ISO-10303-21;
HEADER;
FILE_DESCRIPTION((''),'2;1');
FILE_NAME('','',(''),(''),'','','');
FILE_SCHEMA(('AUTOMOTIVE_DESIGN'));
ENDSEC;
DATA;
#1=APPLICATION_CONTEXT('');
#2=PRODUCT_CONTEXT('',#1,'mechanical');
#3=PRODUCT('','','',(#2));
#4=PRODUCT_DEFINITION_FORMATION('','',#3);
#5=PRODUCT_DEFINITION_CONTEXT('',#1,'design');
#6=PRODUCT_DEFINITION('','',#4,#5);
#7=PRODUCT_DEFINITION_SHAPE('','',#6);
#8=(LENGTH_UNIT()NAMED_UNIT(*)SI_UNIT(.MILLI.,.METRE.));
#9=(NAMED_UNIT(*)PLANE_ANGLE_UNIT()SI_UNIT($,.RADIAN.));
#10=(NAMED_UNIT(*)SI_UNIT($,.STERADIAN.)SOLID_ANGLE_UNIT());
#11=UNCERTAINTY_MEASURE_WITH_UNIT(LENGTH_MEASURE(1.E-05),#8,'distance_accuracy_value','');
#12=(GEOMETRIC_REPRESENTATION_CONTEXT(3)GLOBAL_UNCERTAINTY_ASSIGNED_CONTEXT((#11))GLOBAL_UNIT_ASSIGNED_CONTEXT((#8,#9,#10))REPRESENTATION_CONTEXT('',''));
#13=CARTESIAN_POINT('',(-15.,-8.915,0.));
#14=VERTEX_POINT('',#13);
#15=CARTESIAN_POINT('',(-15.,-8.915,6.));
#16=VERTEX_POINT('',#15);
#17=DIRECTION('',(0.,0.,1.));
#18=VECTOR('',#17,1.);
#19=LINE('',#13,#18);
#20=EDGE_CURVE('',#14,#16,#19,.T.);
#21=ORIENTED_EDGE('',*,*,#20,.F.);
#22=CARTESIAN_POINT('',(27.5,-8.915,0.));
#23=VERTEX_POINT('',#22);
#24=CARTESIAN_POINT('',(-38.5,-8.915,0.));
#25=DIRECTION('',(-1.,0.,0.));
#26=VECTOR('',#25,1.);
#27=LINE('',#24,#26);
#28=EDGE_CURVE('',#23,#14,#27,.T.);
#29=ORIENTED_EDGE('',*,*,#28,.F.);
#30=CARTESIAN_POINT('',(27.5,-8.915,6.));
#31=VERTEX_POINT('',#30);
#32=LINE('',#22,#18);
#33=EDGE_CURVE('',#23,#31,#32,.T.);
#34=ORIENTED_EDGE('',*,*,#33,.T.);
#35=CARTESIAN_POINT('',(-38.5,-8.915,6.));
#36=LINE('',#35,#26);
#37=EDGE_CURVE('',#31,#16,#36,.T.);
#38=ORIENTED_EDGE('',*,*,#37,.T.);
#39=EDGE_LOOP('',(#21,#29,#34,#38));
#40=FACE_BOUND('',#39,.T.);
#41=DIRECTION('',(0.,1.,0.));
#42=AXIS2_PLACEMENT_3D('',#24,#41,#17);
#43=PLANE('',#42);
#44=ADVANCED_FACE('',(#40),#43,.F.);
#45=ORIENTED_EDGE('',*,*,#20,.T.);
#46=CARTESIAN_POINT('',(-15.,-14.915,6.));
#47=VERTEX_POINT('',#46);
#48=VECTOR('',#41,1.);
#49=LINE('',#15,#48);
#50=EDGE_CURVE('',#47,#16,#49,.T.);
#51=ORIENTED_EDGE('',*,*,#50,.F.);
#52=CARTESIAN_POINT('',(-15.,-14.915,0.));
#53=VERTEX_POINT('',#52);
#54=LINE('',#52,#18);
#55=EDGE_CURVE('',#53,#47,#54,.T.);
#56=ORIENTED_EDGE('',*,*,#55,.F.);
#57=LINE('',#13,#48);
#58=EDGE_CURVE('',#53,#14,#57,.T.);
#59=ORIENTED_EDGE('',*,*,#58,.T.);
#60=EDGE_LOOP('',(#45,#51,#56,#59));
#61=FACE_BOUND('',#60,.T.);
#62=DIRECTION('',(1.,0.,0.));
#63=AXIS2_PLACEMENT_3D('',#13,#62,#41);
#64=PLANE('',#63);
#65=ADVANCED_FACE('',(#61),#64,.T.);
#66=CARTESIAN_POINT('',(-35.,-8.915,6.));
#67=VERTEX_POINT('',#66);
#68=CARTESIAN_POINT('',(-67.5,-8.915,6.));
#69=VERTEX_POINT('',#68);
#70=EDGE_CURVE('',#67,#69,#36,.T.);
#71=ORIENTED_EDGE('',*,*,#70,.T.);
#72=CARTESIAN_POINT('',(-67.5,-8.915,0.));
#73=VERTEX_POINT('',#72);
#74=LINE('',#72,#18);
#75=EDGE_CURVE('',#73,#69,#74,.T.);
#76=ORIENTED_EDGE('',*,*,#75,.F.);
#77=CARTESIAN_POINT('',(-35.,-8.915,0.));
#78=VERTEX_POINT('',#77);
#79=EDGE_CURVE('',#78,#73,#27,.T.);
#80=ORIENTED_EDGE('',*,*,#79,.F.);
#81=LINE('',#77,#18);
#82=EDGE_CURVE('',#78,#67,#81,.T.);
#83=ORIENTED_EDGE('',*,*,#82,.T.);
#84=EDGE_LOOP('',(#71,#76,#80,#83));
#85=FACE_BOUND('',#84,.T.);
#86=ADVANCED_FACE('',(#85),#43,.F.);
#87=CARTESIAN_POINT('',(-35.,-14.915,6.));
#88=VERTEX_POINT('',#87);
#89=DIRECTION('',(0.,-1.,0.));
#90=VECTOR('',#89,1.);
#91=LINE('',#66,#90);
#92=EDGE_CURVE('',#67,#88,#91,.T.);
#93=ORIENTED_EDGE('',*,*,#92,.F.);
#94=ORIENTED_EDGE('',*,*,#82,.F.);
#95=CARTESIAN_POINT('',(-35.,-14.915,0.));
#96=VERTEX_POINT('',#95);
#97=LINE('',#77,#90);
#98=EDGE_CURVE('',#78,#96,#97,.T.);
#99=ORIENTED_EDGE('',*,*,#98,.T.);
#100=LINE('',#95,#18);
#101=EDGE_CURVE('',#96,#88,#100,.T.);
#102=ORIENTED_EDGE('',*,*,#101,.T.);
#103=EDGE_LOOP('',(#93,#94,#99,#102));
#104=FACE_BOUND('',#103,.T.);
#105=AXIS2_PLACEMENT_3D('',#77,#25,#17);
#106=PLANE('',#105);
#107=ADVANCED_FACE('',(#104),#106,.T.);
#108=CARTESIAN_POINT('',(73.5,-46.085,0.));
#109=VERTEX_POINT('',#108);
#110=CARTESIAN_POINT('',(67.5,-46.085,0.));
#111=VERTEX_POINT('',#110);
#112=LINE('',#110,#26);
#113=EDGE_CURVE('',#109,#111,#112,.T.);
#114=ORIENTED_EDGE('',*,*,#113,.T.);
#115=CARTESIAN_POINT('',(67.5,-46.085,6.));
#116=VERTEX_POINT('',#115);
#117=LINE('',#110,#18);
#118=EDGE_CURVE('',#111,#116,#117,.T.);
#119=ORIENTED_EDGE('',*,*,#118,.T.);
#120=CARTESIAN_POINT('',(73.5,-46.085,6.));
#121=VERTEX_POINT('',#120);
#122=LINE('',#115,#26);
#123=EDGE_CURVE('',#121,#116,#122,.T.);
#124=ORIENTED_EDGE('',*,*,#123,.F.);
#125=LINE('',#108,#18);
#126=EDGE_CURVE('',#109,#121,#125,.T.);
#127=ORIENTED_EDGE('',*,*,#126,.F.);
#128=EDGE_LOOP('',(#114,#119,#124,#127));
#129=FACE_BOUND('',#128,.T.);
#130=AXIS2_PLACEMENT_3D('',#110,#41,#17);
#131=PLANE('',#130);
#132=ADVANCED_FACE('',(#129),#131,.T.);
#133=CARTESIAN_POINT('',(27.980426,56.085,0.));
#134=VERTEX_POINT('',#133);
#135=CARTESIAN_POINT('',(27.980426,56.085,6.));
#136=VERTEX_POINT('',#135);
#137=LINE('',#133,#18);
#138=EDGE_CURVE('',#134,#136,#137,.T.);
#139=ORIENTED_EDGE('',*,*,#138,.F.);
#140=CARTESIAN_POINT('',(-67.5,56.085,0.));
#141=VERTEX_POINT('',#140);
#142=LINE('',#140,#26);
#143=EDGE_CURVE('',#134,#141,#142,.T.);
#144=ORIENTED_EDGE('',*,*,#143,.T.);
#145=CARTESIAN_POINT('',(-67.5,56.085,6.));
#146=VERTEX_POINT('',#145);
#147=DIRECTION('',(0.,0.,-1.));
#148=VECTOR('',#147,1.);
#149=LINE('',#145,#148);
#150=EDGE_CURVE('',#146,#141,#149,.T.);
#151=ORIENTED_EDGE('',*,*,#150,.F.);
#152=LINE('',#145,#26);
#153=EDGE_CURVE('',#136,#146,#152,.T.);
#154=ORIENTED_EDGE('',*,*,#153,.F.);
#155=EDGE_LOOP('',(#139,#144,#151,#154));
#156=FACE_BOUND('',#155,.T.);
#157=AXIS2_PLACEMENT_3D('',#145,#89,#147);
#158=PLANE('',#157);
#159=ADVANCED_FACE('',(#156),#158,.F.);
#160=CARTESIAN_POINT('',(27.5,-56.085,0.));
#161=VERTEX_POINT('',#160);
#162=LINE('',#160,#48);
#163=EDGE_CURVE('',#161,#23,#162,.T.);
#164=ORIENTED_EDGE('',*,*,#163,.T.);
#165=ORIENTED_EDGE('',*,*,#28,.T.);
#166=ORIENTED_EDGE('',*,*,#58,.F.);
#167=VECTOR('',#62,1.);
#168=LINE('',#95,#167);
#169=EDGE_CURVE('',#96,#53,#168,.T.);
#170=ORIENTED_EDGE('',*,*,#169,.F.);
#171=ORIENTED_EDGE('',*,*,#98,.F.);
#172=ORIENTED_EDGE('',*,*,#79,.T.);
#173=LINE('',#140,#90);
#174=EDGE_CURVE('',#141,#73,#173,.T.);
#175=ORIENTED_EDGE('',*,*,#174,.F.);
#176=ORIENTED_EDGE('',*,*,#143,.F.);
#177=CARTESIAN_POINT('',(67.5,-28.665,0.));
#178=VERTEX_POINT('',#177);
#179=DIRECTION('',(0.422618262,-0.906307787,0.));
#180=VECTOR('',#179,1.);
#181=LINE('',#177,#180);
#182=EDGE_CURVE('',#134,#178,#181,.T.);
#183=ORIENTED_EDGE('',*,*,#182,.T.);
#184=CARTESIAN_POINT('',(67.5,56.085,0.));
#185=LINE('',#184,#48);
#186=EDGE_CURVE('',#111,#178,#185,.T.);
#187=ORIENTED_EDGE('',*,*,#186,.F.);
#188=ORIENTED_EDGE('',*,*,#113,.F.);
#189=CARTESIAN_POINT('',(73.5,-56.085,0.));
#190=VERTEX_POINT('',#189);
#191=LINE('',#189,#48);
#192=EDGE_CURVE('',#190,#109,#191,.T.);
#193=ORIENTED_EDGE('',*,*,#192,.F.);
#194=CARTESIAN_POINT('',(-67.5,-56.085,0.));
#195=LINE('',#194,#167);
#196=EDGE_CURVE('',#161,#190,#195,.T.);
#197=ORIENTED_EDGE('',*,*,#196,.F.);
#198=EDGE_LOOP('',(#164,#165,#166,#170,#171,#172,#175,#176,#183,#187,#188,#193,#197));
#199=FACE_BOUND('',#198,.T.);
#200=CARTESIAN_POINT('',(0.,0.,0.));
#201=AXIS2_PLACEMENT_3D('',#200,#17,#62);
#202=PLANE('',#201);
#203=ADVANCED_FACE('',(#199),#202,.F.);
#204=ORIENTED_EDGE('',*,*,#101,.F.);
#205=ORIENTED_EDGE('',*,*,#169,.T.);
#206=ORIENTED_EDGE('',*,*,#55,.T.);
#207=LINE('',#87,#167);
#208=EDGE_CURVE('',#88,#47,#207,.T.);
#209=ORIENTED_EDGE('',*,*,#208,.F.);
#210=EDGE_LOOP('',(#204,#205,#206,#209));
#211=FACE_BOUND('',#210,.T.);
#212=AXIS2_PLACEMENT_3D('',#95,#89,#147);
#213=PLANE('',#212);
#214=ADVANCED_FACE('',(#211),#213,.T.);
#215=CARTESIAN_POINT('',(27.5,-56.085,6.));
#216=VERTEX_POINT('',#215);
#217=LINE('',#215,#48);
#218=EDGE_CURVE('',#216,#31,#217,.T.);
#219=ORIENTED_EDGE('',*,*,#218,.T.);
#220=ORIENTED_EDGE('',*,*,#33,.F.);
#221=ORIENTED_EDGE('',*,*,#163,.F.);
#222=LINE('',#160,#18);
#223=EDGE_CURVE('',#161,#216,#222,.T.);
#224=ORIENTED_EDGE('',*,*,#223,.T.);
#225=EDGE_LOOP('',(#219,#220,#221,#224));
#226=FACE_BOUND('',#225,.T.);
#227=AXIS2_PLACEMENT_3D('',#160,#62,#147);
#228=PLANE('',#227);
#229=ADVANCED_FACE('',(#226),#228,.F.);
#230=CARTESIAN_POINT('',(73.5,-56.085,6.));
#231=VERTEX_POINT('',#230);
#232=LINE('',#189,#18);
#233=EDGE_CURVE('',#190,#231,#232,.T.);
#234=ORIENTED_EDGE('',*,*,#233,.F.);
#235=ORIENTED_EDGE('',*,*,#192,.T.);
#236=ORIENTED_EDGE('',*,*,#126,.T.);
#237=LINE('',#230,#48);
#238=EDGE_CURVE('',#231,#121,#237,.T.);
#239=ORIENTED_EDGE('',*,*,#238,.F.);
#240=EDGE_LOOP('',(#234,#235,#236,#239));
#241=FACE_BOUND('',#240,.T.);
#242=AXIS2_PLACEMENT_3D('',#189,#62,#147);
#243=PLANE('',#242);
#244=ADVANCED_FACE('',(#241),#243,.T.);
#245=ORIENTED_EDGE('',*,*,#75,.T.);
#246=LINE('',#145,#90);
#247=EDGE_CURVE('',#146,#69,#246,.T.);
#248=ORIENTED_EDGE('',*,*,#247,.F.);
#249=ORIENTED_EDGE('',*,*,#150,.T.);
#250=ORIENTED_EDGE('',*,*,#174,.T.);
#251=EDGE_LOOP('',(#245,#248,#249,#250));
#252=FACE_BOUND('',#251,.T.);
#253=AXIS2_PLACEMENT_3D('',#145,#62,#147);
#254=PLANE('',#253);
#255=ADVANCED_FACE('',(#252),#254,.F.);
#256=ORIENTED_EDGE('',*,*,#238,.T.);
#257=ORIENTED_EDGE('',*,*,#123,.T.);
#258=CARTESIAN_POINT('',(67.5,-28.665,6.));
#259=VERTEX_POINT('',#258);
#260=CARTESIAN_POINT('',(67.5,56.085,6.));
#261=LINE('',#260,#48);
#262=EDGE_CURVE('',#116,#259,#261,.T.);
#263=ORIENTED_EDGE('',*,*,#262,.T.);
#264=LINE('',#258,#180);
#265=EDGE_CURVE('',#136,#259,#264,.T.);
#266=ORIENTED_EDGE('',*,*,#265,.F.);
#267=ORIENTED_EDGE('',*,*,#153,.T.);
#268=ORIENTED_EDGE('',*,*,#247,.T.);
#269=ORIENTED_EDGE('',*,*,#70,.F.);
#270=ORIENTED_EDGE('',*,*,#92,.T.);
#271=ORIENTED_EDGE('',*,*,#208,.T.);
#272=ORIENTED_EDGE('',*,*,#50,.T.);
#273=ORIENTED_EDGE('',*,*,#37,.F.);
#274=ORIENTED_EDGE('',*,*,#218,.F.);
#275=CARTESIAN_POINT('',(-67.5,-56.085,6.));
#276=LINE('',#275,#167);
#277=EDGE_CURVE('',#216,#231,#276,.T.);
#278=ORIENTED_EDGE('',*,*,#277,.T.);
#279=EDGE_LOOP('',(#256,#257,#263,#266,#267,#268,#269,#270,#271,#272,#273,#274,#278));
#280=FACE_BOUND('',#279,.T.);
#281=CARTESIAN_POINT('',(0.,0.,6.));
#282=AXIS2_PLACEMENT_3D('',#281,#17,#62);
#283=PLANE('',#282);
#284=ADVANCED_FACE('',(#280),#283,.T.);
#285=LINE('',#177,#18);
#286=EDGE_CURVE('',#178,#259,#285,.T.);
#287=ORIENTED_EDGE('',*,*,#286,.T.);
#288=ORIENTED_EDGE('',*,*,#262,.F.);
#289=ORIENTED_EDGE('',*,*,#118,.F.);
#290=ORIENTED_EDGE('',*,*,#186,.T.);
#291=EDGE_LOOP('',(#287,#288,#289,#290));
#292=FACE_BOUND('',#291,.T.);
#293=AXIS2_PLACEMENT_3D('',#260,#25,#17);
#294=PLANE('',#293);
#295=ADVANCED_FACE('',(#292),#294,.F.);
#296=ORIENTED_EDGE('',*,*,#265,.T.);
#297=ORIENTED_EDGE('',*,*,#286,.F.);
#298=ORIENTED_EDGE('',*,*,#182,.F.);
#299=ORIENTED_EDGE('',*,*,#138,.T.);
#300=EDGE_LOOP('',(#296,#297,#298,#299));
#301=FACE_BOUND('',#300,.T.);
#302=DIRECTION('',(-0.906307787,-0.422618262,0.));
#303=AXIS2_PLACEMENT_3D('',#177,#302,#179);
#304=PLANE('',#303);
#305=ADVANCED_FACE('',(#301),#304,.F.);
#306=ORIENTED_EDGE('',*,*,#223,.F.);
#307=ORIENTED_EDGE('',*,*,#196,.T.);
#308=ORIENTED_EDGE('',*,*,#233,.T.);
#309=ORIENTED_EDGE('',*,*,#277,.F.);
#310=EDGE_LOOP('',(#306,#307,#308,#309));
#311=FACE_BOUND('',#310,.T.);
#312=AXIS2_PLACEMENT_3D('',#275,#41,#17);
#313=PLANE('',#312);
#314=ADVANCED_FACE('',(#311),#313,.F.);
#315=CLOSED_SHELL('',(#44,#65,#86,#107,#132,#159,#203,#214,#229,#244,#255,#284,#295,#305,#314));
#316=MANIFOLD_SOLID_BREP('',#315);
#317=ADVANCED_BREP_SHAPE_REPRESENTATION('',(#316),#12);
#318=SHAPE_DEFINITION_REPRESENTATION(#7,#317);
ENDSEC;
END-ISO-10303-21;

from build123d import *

# Parameters (mm, degrees)
ESQUISSE1_W             = 135
ESQUISSE1_H             = 112.17
BOSS_EXTRU_1_DEPTH      = 6
ENL_V_MAT_EXTRU_1_DEPTH = 6
ESQUISSE3_W             = 6
ESQUISSE3_H             = 10
ESQUISSE3_W_2           = 20
ESQUISSE3_H_2           = 6
BOSS_EXTRU_2_DEPTH      = 6


with BuildPart() as part:
    # Esquisse1 → Boss.-Extru.1 (new body)
    with BuildSketch(Plane.XY):
        Rectangle(ESQUISSE1_W, ESQUISSE1_H)
    extrude(amount=BOSS_EXTRU_1_DEPTH)

    # Esquisse2 → Enlèv. mat.-Extru.1 (cut)
    with BuildSketch(Plane.XY.offset(6)):
        Polygon((27.5, -56.085), (-67.5, -56.085), (-67.5, -8.915), (-38.5, -8.915), (27.5, -8.915), align=None)
        Polygon((67.5, -28.665), (27.980425971, 56.085), (67.5, 56.085), align=None)
    extrude(amount=-ENL_V_MAT_EXTRU_1_DEPTH, mode=Mode.SUBTRACT)

    # Esquisse3 → Boss.-Extru.2 (add)
    with BuildSketch(Plane.XY.offset(6)):
        with Locations((70.5, -51.085)):
            Rectangle(ESQUISSE3_W, ESQUISSE3_H)
        with Locations((-25, -11.915)):
            Rectangle(ESQUISSE3_W_2, ESQUISSE3_H_2)
    extrude(amount=-BOSS_EXTRU_2_DEPTH)


solid = part.part
